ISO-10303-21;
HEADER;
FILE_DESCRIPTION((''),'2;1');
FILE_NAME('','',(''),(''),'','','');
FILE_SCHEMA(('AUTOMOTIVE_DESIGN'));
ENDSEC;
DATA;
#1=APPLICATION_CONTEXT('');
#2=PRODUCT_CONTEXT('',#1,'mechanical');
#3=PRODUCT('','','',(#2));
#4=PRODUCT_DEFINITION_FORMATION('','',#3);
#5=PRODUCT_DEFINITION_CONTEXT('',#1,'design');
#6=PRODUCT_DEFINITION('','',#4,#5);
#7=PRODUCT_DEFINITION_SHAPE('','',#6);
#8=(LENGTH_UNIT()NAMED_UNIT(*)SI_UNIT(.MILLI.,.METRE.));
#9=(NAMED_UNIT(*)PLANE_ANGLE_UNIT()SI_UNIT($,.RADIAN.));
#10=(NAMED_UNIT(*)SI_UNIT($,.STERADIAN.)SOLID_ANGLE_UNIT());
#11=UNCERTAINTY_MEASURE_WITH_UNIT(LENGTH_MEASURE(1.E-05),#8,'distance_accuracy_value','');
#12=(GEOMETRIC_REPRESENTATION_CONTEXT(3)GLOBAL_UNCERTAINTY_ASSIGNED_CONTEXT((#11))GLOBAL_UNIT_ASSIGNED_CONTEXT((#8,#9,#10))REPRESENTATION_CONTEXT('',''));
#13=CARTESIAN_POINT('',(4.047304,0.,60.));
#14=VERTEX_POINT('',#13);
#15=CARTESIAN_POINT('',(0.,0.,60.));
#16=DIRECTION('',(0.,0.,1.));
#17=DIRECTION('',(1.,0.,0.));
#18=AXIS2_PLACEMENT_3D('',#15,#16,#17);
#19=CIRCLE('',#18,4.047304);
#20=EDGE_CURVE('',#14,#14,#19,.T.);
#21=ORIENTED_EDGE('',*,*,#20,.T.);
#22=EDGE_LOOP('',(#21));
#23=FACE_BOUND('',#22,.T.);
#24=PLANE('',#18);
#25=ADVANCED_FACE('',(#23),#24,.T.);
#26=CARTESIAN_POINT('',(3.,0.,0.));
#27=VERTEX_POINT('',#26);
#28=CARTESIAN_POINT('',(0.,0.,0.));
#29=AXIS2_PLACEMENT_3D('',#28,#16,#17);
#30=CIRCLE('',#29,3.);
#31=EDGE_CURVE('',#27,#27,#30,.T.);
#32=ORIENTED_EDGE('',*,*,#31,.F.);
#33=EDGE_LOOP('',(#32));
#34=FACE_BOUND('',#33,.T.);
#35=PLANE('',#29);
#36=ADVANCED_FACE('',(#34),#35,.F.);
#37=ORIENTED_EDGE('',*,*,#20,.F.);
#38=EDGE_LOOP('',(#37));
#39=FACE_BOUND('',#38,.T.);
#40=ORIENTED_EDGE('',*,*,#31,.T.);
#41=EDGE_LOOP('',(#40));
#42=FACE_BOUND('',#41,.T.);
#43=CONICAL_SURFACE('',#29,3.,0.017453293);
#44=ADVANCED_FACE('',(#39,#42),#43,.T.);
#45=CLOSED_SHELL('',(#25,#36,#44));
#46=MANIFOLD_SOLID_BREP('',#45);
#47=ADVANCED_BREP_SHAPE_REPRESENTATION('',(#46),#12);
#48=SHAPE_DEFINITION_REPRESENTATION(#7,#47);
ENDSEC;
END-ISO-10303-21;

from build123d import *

# Parameters (mm, degrees)
SKETCH1_R           = 3
BOSS_EXTRUDE3_DEPTH = 60
DRAFT2_ANGLE        = 1


with BuildPart() as part:
    # Sketch1 → Boss-Extrude3 (new body)
    with BuildSketch(Plane.XY):
        Circle(SKETCH1_R)
    extrude(amount=BOSS_EXTRUDE3_DEPTH)

    # Draft2
    draft2_faces = [part.faces().sort_by_distance(p)[0] for p in [
        (-3, 0, 30),
    ]]
    draft(draft2_faces, Plane(origin=(0, 0, 0), x_dir=(-1, 0, 0), z_dir=(0, 0, -1)), DRAFT2_ANGLE)


solid = part.part
